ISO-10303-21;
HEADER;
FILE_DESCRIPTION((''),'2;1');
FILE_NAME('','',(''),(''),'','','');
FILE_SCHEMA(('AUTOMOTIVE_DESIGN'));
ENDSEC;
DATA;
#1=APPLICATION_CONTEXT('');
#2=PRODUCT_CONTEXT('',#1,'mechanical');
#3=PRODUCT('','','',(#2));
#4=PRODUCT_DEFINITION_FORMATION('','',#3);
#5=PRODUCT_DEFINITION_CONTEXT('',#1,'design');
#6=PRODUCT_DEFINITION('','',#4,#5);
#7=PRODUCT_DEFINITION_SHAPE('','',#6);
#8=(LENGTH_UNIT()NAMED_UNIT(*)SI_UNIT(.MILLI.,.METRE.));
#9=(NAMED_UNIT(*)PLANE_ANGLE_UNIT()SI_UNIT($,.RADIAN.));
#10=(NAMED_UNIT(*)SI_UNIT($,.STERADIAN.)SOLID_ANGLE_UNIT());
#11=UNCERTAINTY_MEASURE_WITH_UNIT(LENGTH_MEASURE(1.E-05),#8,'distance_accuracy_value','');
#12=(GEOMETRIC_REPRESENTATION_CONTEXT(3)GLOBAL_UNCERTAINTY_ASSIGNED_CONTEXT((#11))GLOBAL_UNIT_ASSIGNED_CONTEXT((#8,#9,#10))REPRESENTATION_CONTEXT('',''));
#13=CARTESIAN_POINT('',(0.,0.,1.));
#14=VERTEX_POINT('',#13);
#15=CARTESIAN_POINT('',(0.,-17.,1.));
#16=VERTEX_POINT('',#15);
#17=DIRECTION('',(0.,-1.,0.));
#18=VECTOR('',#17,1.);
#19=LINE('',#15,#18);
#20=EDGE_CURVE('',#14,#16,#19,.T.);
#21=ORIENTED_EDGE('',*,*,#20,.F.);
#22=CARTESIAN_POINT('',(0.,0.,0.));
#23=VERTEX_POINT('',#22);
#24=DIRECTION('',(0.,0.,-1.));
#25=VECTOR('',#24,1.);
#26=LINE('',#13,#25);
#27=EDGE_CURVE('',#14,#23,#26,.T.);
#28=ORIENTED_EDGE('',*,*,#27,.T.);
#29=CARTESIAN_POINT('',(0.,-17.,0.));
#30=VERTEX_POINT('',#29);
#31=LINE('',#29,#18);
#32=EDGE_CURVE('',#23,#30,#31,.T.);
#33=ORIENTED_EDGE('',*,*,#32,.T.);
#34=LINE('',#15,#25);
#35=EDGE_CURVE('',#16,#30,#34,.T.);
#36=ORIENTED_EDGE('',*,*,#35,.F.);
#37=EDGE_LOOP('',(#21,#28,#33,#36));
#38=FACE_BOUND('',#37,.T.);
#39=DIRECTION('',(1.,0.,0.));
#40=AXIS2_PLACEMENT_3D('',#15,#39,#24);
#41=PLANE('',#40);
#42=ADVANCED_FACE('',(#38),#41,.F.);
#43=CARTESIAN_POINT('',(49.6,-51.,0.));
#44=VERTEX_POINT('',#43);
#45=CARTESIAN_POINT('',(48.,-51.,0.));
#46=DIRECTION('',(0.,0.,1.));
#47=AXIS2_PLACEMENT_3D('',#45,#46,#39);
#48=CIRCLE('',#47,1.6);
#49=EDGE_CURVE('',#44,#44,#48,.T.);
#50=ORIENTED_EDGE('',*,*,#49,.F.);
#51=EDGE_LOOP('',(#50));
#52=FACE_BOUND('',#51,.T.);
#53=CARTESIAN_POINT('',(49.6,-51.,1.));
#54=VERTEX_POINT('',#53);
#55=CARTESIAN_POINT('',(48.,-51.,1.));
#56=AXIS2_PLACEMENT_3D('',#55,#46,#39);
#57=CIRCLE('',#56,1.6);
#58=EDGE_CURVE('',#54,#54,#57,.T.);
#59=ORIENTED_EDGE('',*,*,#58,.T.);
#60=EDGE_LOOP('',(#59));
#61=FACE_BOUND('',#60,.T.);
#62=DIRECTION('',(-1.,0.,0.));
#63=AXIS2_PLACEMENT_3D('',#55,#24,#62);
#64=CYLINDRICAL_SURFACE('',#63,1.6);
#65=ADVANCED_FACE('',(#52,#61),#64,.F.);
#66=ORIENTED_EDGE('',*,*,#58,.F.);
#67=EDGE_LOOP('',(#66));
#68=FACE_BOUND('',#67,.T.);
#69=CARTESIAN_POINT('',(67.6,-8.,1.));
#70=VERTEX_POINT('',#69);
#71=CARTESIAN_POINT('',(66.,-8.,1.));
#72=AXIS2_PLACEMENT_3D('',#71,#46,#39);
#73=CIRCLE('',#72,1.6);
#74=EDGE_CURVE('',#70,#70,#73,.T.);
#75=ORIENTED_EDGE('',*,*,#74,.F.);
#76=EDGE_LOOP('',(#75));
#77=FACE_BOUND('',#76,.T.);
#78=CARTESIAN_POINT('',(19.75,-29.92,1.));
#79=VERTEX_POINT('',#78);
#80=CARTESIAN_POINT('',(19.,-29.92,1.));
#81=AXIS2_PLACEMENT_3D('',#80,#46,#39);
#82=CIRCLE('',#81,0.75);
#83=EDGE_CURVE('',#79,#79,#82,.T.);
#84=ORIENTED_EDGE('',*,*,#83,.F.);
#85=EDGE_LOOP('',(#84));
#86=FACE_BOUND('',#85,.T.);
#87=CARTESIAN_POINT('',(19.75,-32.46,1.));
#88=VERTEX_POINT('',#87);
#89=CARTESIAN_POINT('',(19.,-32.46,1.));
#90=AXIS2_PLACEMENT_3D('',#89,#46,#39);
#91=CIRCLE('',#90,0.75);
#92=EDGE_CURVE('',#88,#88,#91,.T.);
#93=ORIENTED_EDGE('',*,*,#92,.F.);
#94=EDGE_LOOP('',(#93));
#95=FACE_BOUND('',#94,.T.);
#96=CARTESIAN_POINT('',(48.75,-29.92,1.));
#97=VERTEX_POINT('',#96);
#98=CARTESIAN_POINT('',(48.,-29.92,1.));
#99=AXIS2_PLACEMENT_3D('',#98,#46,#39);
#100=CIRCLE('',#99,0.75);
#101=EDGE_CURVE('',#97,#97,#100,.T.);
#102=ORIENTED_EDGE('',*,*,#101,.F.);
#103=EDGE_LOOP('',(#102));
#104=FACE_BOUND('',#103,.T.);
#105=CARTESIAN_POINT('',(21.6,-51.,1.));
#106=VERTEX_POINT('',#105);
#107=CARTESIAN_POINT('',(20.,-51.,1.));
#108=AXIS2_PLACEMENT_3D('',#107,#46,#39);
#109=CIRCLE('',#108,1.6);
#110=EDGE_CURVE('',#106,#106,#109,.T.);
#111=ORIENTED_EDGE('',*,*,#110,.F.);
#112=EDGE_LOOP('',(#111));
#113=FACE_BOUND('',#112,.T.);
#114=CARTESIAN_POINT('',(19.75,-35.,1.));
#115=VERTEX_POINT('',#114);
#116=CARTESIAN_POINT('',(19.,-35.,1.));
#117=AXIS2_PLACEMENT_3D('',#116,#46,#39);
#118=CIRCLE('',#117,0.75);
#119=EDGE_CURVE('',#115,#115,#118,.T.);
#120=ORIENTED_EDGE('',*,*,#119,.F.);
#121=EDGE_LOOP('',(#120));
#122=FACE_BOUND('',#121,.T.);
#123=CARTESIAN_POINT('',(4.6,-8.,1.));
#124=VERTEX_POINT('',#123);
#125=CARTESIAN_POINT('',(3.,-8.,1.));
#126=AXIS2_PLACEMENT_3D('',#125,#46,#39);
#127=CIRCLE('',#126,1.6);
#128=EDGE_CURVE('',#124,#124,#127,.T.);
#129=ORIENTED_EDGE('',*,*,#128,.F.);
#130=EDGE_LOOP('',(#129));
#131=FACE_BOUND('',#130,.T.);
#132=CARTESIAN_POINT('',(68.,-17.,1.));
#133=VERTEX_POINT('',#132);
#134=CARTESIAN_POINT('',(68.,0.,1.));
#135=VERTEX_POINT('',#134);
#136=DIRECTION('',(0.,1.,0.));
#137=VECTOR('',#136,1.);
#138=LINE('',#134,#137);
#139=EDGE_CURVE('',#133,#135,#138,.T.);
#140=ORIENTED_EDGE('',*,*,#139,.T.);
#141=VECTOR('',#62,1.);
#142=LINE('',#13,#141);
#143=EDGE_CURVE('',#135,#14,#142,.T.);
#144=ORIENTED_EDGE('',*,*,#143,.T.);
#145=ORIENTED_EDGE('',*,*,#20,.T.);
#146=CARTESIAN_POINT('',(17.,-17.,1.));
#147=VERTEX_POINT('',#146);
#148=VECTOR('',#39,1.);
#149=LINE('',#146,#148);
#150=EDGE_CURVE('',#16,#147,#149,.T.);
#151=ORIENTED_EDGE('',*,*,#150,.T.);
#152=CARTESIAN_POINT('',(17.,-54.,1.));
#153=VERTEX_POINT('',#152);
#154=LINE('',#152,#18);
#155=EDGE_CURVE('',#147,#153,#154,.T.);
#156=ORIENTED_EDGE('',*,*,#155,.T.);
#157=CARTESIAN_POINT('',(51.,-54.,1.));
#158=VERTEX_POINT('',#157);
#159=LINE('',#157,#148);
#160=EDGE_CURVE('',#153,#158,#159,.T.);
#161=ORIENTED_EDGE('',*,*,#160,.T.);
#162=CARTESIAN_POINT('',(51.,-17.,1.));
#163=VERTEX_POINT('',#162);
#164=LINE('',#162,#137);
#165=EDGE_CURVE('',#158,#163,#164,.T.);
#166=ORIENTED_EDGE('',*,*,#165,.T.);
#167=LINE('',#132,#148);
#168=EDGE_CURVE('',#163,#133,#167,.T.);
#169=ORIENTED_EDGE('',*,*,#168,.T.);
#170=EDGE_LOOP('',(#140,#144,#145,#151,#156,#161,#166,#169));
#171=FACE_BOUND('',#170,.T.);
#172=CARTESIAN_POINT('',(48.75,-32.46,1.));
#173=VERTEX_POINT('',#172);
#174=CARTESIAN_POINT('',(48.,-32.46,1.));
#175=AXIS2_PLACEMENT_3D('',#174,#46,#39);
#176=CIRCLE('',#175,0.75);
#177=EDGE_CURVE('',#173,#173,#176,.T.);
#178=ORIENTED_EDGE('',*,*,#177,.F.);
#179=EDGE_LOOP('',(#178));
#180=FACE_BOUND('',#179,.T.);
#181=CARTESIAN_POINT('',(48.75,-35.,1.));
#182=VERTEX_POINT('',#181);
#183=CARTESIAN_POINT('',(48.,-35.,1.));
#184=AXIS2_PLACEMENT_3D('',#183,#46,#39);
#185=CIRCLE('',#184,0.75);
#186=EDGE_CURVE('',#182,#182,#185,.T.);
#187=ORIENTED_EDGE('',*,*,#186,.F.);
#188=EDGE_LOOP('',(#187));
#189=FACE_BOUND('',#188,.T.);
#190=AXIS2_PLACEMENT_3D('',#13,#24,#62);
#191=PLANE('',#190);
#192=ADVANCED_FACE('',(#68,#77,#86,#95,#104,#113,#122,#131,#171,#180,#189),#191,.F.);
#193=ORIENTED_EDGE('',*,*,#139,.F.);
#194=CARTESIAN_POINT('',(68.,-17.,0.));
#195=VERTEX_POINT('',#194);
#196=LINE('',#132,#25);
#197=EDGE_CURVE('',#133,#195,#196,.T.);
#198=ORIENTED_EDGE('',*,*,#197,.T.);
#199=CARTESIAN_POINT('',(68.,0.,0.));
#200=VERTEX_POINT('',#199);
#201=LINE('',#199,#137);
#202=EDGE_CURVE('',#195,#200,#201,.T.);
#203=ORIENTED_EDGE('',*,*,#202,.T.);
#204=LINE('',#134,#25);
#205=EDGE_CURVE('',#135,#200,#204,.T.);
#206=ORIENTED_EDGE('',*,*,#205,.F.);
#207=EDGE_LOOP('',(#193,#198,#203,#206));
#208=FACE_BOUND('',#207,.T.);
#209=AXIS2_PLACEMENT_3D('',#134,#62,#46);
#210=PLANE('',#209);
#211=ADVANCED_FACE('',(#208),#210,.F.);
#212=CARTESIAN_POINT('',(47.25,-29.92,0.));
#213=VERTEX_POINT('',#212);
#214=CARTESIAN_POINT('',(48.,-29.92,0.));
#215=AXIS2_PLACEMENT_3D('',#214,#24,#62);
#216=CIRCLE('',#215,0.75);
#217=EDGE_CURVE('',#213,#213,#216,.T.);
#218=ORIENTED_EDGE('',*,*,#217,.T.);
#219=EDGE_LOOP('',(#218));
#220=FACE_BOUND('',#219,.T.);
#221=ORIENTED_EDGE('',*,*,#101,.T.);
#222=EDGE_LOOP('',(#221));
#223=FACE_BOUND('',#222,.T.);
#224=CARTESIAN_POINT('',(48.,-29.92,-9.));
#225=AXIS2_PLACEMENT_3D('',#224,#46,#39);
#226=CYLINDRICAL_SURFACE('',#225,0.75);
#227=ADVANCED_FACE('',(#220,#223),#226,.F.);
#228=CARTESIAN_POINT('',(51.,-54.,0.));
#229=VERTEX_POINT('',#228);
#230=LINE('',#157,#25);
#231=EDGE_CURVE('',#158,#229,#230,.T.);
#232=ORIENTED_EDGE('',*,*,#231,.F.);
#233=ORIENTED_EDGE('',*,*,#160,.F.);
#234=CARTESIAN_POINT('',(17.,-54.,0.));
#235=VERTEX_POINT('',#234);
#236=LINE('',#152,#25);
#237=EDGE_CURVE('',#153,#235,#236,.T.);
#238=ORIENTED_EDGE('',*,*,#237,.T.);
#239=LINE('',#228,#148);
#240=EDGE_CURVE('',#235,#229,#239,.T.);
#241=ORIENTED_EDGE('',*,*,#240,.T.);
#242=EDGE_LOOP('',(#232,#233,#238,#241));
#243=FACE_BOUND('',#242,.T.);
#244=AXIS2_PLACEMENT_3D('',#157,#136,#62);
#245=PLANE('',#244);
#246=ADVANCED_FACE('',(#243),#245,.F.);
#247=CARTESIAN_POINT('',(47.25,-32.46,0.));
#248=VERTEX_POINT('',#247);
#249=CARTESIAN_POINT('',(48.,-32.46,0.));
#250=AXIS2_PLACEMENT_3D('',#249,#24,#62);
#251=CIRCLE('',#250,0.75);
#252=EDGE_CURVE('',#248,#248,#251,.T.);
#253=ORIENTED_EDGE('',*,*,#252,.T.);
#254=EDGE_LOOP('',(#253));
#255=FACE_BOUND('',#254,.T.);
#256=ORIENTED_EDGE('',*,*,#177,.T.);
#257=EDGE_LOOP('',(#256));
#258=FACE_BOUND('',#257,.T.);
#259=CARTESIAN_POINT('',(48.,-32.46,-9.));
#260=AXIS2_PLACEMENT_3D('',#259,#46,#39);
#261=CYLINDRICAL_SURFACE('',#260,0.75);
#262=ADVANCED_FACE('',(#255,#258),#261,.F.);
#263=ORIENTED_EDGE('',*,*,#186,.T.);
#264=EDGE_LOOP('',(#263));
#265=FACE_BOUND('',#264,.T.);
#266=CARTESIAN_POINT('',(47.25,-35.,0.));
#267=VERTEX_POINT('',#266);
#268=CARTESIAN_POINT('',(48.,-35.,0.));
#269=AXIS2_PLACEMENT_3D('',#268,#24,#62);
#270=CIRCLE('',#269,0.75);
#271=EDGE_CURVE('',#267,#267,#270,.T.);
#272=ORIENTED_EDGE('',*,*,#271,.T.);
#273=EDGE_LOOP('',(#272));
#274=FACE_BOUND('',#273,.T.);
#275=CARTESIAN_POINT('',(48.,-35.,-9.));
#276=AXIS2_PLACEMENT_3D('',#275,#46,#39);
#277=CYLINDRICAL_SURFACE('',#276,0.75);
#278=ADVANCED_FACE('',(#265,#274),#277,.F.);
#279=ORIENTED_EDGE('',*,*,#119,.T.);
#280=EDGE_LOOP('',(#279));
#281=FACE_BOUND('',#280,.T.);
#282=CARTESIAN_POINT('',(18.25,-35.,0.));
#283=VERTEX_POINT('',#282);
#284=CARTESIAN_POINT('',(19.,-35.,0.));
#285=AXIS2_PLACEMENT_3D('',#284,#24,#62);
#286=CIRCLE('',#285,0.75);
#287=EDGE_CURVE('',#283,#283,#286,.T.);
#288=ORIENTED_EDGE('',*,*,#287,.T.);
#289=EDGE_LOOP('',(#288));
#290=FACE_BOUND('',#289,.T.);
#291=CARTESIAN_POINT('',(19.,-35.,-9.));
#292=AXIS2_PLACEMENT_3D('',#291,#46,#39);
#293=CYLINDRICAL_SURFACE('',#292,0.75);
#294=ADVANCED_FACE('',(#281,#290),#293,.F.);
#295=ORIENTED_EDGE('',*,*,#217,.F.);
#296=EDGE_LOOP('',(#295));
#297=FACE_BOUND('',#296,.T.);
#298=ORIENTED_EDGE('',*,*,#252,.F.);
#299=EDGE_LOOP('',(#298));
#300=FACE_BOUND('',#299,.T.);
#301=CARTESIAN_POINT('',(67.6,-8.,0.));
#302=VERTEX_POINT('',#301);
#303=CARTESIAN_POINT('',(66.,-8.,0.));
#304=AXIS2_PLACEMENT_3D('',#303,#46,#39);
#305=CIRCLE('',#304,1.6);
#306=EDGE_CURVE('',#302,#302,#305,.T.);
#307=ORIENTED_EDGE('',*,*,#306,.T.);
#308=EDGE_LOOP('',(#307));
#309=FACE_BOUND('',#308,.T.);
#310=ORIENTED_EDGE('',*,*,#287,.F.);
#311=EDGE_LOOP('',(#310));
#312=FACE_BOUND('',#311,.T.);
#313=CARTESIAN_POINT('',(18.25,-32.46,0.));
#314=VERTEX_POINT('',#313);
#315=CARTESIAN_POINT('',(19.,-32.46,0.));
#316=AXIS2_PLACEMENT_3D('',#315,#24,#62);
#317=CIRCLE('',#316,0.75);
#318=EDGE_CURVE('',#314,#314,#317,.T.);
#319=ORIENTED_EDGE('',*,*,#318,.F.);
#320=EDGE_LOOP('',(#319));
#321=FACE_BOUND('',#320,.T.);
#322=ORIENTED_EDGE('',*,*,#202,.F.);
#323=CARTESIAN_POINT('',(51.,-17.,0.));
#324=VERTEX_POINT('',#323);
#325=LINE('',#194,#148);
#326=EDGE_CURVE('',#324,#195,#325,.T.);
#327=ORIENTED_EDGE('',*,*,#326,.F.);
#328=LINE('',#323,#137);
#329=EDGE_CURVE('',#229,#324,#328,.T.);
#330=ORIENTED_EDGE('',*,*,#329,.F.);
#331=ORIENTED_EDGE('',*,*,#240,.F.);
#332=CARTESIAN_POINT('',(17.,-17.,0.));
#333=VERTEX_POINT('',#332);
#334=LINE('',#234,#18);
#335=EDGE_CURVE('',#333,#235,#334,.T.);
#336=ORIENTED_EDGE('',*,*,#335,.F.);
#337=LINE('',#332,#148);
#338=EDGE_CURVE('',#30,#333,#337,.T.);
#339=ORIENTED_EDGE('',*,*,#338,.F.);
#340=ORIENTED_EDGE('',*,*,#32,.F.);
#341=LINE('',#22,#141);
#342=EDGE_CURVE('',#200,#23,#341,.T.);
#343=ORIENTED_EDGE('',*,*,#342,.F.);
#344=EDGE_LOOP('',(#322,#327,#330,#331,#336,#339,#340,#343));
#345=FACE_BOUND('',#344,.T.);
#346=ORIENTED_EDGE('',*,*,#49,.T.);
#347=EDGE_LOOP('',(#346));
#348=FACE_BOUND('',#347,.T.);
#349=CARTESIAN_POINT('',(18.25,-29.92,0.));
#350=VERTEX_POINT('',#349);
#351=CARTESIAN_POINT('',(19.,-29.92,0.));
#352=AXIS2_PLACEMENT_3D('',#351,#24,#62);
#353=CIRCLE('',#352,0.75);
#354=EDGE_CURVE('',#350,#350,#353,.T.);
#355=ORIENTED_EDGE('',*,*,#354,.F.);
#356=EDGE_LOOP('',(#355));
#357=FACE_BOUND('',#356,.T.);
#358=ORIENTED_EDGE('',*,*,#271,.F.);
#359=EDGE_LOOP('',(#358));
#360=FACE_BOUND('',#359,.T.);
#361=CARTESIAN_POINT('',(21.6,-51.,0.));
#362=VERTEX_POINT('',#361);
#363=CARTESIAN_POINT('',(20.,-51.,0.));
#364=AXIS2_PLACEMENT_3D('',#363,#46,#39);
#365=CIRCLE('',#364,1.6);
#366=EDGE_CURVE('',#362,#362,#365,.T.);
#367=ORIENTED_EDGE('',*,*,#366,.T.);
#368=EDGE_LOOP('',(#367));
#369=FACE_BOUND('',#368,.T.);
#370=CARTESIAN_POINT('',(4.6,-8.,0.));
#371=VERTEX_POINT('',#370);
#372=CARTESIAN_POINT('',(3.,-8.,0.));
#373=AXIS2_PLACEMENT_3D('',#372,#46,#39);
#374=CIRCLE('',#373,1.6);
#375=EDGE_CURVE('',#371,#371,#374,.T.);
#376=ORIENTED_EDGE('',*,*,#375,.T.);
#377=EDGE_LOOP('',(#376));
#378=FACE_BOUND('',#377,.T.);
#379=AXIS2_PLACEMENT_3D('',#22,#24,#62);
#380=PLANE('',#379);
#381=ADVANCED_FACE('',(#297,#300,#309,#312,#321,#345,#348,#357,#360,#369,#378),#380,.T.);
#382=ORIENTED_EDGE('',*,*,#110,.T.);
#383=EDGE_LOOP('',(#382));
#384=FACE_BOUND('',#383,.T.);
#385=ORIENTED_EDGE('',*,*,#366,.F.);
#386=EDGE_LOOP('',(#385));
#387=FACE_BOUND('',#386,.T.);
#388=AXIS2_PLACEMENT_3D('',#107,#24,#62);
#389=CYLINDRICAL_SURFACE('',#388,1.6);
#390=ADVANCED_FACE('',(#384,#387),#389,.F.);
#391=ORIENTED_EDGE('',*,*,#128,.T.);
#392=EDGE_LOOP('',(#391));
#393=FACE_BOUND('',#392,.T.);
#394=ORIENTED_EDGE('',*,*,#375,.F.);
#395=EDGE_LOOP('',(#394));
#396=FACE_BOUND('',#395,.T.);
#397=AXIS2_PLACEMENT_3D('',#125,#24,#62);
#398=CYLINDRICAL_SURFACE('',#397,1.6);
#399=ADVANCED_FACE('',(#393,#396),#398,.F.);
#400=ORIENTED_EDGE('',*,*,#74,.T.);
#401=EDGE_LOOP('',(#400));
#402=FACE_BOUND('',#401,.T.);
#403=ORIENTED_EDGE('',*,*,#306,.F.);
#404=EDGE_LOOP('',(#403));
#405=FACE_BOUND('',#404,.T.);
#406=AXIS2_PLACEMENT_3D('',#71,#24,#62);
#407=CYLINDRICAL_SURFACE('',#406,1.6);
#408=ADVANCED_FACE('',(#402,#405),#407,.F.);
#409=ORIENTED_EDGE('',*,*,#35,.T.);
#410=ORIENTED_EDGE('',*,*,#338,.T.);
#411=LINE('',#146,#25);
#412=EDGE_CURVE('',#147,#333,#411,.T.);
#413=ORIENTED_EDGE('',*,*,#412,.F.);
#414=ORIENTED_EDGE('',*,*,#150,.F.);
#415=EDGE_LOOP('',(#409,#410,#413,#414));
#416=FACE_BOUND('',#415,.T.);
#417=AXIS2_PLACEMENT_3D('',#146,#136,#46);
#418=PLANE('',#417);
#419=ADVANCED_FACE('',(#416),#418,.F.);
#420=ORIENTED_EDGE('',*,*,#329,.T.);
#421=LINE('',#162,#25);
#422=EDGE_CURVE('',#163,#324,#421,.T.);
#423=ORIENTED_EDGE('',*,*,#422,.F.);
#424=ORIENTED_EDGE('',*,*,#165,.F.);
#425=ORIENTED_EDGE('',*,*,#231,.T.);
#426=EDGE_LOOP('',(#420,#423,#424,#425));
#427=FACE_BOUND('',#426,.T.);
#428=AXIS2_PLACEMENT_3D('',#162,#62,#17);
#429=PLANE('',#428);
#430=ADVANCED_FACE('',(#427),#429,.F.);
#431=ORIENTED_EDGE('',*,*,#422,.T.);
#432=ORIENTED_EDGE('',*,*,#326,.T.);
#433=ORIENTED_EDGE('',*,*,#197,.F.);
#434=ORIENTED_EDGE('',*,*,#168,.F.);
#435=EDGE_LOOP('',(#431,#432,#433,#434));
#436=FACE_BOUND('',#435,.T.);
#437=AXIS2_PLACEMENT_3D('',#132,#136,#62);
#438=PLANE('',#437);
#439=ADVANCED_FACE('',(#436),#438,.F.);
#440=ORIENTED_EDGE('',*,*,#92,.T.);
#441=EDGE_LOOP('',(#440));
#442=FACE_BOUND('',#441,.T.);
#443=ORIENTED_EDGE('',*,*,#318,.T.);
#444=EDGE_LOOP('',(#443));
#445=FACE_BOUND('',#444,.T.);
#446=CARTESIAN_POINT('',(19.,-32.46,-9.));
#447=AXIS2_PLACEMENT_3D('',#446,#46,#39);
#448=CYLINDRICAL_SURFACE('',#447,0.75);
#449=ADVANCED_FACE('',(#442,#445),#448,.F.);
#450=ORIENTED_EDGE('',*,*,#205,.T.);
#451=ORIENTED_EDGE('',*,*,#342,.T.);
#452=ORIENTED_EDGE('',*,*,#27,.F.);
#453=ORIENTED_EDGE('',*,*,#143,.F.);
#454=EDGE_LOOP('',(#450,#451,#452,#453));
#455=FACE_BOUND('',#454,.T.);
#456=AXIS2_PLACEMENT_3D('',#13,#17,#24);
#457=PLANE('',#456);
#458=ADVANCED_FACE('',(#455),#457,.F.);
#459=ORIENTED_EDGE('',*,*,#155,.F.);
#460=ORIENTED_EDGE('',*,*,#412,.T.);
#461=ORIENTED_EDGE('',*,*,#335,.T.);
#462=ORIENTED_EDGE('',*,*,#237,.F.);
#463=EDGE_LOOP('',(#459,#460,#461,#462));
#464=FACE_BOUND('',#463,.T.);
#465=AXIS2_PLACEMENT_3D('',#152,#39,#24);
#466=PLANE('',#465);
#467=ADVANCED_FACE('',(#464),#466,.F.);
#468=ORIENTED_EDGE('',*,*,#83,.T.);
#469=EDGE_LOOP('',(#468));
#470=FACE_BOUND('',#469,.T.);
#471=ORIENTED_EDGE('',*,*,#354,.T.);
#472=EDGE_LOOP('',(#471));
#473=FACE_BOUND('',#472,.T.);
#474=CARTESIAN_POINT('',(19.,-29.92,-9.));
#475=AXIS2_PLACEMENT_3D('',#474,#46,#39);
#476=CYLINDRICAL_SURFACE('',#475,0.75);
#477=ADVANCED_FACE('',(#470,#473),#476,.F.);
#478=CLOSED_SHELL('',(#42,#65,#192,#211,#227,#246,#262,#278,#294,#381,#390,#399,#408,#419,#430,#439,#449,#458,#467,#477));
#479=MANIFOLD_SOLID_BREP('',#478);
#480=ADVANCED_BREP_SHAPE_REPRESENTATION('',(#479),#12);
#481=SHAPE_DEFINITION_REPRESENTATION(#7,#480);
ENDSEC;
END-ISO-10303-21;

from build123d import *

# Parameters (mm, degrees)
IZIM1_R                     = 1.6
Y_KSEKLIK_EKSTR_ZYON1_DEPTH = 1
IZIM2_R                     = 0.75
KES_EKSTR_ZYON1_DEPTH       = 10


with BuildPart() as part:
    # Çizim1 → Yükseklik-Ekstrüzyon1 (new body)
    with BuildSketch(Plane.XY):
        Polygon((0, 0), (68, 0), (68, -17), (51, -17), (51, -54), (17, -54), (17, -17), (0, -17), align=None)
        with Locations((3, -8)):
            Circle(IZIM1_R, mode=Mode.SUBTRACT)
        with Locations((66, -8)):
            Circle(IZIM1_R, mode=Mode.SUBTRACT)
        with Locations((20, -51)):
            Circle(IZIM1_R, mode=Mode.SUBTRACT)
        with Locations((48, -51)):
            Circle(IZIM1_R, mode=Mode.SUBTRACT)
    extrude(amount=Y_KSEKLIK_EKSTR_ZYON1_DEPTH)

    # Çizim2 → Kes-Ekstrüzyon1 (cut)
    with BuildSketch(Plane.XY.offset(1)):
        with Locations((19, -35)):
            Circle(IZIM2_R)
        with Locations((19, -32.46)):
            Circle(IZIM2_R)
        with Locations((19, -29.92)):
            Circle(IZIM2_R)
        with Locations((48, -29.92)):
            Circle(IZIM2_R)
        with Locations((48, -32.46)):
            Circle(IZIM2_R)
        with Locations((48, -35)):
            Circle(IZIM2_R)
    extrude(amount=-KES_EKSTR_ZYON1_DEPTH, mode=Mode.SUBTRACT)


solid = part.part
